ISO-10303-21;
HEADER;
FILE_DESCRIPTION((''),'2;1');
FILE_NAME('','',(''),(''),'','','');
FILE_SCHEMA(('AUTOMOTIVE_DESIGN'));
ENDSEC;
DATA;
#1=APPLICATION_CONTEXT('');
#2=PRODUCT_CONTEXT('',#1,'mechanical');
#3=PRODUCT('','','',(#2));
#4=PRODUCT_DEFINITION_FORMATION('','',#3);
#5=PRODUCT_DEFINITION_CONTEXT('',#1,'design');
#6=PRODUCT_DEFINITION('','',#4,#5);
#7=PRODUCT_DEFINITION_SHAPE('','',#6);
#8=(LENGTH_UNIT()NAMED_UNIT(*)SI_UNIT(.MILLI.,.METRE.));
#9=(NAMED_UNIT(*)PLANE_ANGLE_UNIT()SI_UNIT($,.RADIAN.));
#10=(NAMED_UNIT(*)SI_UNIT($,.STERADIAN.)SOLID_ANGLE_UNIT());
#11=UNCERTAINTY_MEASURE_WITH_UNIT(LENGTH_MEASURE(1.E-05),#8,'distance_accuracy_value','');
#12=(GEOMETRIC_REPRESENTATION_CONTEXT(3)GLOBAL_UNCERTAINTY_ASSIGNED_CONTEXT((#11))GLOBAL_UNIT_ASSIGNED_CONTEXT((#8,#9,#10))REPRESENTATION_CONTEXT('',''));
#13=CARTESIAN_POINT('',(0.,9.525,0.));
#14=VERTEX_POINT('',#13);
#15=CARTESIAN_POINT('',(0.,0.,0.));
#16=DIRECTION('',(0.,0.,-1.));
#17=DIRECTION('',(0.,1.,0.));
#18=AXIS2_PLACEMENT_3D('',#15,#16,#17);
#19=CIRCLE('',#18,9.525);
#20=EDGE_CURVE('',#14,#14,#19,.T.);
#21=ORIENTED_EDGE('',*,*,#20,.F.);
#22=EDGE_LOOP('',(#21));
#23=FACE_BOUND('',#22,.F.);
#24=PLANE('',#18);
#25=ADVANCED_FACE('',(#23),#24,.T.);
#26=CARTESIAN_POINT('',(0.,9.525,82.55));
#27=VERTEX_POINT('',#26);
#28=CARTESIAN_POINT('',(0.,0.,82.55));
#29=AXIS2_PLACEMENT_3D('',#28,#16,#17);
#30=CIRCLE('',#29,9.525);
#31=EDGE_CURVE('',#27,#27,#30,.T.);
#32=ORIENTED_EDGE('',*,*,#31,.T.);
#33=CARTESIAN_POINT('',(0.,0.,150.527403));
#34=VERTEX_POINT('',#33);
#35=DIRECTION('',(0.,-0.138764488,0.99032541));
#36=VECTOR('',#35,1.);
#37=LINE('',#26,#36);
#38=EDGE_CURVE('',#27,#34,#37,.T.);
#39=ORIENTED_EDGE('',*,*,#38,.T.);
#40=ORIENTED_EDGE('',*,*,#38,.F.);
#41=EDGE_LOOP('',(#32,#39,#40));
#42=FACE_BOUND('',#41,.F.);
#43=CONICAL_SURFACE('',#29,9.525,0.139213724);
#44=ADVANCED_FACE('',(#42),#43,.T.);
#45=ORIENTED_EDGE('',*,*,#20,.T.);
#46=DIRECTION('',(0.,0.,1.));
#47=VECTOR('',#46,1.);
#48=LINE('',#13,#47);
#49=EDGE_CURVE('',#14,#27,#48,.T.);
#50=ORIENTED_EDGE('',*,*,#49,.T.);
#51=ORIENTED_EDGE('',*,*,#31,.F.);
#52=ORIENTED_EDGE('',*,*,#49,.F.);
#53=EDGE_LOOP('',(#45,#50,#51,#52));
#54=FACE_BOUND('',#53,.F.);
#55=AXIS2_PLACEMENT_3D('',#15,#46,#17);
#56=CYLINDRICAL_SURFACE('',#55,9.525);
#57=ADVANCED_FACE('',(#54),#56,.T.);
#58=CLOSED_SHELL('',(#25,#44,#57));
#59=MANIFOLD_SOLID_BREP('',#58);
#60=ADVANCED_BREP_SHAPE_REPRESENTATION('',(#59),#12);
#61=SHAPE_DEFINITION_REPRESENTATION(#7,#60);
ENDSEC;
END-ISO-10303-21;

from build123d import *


with BuildPart() as f1:
    # F0 (on Right) → F1 (revolve)
    with BuildSketch(Plane.YZ):
        Polygon((0, 150.527403), (0, 0), (9.525, 0), (9.525, 82.55), align=None)
    revolve(axis=Axis((0, 0, 75.263701), (0, 0, -1)))


solid = f1.part
